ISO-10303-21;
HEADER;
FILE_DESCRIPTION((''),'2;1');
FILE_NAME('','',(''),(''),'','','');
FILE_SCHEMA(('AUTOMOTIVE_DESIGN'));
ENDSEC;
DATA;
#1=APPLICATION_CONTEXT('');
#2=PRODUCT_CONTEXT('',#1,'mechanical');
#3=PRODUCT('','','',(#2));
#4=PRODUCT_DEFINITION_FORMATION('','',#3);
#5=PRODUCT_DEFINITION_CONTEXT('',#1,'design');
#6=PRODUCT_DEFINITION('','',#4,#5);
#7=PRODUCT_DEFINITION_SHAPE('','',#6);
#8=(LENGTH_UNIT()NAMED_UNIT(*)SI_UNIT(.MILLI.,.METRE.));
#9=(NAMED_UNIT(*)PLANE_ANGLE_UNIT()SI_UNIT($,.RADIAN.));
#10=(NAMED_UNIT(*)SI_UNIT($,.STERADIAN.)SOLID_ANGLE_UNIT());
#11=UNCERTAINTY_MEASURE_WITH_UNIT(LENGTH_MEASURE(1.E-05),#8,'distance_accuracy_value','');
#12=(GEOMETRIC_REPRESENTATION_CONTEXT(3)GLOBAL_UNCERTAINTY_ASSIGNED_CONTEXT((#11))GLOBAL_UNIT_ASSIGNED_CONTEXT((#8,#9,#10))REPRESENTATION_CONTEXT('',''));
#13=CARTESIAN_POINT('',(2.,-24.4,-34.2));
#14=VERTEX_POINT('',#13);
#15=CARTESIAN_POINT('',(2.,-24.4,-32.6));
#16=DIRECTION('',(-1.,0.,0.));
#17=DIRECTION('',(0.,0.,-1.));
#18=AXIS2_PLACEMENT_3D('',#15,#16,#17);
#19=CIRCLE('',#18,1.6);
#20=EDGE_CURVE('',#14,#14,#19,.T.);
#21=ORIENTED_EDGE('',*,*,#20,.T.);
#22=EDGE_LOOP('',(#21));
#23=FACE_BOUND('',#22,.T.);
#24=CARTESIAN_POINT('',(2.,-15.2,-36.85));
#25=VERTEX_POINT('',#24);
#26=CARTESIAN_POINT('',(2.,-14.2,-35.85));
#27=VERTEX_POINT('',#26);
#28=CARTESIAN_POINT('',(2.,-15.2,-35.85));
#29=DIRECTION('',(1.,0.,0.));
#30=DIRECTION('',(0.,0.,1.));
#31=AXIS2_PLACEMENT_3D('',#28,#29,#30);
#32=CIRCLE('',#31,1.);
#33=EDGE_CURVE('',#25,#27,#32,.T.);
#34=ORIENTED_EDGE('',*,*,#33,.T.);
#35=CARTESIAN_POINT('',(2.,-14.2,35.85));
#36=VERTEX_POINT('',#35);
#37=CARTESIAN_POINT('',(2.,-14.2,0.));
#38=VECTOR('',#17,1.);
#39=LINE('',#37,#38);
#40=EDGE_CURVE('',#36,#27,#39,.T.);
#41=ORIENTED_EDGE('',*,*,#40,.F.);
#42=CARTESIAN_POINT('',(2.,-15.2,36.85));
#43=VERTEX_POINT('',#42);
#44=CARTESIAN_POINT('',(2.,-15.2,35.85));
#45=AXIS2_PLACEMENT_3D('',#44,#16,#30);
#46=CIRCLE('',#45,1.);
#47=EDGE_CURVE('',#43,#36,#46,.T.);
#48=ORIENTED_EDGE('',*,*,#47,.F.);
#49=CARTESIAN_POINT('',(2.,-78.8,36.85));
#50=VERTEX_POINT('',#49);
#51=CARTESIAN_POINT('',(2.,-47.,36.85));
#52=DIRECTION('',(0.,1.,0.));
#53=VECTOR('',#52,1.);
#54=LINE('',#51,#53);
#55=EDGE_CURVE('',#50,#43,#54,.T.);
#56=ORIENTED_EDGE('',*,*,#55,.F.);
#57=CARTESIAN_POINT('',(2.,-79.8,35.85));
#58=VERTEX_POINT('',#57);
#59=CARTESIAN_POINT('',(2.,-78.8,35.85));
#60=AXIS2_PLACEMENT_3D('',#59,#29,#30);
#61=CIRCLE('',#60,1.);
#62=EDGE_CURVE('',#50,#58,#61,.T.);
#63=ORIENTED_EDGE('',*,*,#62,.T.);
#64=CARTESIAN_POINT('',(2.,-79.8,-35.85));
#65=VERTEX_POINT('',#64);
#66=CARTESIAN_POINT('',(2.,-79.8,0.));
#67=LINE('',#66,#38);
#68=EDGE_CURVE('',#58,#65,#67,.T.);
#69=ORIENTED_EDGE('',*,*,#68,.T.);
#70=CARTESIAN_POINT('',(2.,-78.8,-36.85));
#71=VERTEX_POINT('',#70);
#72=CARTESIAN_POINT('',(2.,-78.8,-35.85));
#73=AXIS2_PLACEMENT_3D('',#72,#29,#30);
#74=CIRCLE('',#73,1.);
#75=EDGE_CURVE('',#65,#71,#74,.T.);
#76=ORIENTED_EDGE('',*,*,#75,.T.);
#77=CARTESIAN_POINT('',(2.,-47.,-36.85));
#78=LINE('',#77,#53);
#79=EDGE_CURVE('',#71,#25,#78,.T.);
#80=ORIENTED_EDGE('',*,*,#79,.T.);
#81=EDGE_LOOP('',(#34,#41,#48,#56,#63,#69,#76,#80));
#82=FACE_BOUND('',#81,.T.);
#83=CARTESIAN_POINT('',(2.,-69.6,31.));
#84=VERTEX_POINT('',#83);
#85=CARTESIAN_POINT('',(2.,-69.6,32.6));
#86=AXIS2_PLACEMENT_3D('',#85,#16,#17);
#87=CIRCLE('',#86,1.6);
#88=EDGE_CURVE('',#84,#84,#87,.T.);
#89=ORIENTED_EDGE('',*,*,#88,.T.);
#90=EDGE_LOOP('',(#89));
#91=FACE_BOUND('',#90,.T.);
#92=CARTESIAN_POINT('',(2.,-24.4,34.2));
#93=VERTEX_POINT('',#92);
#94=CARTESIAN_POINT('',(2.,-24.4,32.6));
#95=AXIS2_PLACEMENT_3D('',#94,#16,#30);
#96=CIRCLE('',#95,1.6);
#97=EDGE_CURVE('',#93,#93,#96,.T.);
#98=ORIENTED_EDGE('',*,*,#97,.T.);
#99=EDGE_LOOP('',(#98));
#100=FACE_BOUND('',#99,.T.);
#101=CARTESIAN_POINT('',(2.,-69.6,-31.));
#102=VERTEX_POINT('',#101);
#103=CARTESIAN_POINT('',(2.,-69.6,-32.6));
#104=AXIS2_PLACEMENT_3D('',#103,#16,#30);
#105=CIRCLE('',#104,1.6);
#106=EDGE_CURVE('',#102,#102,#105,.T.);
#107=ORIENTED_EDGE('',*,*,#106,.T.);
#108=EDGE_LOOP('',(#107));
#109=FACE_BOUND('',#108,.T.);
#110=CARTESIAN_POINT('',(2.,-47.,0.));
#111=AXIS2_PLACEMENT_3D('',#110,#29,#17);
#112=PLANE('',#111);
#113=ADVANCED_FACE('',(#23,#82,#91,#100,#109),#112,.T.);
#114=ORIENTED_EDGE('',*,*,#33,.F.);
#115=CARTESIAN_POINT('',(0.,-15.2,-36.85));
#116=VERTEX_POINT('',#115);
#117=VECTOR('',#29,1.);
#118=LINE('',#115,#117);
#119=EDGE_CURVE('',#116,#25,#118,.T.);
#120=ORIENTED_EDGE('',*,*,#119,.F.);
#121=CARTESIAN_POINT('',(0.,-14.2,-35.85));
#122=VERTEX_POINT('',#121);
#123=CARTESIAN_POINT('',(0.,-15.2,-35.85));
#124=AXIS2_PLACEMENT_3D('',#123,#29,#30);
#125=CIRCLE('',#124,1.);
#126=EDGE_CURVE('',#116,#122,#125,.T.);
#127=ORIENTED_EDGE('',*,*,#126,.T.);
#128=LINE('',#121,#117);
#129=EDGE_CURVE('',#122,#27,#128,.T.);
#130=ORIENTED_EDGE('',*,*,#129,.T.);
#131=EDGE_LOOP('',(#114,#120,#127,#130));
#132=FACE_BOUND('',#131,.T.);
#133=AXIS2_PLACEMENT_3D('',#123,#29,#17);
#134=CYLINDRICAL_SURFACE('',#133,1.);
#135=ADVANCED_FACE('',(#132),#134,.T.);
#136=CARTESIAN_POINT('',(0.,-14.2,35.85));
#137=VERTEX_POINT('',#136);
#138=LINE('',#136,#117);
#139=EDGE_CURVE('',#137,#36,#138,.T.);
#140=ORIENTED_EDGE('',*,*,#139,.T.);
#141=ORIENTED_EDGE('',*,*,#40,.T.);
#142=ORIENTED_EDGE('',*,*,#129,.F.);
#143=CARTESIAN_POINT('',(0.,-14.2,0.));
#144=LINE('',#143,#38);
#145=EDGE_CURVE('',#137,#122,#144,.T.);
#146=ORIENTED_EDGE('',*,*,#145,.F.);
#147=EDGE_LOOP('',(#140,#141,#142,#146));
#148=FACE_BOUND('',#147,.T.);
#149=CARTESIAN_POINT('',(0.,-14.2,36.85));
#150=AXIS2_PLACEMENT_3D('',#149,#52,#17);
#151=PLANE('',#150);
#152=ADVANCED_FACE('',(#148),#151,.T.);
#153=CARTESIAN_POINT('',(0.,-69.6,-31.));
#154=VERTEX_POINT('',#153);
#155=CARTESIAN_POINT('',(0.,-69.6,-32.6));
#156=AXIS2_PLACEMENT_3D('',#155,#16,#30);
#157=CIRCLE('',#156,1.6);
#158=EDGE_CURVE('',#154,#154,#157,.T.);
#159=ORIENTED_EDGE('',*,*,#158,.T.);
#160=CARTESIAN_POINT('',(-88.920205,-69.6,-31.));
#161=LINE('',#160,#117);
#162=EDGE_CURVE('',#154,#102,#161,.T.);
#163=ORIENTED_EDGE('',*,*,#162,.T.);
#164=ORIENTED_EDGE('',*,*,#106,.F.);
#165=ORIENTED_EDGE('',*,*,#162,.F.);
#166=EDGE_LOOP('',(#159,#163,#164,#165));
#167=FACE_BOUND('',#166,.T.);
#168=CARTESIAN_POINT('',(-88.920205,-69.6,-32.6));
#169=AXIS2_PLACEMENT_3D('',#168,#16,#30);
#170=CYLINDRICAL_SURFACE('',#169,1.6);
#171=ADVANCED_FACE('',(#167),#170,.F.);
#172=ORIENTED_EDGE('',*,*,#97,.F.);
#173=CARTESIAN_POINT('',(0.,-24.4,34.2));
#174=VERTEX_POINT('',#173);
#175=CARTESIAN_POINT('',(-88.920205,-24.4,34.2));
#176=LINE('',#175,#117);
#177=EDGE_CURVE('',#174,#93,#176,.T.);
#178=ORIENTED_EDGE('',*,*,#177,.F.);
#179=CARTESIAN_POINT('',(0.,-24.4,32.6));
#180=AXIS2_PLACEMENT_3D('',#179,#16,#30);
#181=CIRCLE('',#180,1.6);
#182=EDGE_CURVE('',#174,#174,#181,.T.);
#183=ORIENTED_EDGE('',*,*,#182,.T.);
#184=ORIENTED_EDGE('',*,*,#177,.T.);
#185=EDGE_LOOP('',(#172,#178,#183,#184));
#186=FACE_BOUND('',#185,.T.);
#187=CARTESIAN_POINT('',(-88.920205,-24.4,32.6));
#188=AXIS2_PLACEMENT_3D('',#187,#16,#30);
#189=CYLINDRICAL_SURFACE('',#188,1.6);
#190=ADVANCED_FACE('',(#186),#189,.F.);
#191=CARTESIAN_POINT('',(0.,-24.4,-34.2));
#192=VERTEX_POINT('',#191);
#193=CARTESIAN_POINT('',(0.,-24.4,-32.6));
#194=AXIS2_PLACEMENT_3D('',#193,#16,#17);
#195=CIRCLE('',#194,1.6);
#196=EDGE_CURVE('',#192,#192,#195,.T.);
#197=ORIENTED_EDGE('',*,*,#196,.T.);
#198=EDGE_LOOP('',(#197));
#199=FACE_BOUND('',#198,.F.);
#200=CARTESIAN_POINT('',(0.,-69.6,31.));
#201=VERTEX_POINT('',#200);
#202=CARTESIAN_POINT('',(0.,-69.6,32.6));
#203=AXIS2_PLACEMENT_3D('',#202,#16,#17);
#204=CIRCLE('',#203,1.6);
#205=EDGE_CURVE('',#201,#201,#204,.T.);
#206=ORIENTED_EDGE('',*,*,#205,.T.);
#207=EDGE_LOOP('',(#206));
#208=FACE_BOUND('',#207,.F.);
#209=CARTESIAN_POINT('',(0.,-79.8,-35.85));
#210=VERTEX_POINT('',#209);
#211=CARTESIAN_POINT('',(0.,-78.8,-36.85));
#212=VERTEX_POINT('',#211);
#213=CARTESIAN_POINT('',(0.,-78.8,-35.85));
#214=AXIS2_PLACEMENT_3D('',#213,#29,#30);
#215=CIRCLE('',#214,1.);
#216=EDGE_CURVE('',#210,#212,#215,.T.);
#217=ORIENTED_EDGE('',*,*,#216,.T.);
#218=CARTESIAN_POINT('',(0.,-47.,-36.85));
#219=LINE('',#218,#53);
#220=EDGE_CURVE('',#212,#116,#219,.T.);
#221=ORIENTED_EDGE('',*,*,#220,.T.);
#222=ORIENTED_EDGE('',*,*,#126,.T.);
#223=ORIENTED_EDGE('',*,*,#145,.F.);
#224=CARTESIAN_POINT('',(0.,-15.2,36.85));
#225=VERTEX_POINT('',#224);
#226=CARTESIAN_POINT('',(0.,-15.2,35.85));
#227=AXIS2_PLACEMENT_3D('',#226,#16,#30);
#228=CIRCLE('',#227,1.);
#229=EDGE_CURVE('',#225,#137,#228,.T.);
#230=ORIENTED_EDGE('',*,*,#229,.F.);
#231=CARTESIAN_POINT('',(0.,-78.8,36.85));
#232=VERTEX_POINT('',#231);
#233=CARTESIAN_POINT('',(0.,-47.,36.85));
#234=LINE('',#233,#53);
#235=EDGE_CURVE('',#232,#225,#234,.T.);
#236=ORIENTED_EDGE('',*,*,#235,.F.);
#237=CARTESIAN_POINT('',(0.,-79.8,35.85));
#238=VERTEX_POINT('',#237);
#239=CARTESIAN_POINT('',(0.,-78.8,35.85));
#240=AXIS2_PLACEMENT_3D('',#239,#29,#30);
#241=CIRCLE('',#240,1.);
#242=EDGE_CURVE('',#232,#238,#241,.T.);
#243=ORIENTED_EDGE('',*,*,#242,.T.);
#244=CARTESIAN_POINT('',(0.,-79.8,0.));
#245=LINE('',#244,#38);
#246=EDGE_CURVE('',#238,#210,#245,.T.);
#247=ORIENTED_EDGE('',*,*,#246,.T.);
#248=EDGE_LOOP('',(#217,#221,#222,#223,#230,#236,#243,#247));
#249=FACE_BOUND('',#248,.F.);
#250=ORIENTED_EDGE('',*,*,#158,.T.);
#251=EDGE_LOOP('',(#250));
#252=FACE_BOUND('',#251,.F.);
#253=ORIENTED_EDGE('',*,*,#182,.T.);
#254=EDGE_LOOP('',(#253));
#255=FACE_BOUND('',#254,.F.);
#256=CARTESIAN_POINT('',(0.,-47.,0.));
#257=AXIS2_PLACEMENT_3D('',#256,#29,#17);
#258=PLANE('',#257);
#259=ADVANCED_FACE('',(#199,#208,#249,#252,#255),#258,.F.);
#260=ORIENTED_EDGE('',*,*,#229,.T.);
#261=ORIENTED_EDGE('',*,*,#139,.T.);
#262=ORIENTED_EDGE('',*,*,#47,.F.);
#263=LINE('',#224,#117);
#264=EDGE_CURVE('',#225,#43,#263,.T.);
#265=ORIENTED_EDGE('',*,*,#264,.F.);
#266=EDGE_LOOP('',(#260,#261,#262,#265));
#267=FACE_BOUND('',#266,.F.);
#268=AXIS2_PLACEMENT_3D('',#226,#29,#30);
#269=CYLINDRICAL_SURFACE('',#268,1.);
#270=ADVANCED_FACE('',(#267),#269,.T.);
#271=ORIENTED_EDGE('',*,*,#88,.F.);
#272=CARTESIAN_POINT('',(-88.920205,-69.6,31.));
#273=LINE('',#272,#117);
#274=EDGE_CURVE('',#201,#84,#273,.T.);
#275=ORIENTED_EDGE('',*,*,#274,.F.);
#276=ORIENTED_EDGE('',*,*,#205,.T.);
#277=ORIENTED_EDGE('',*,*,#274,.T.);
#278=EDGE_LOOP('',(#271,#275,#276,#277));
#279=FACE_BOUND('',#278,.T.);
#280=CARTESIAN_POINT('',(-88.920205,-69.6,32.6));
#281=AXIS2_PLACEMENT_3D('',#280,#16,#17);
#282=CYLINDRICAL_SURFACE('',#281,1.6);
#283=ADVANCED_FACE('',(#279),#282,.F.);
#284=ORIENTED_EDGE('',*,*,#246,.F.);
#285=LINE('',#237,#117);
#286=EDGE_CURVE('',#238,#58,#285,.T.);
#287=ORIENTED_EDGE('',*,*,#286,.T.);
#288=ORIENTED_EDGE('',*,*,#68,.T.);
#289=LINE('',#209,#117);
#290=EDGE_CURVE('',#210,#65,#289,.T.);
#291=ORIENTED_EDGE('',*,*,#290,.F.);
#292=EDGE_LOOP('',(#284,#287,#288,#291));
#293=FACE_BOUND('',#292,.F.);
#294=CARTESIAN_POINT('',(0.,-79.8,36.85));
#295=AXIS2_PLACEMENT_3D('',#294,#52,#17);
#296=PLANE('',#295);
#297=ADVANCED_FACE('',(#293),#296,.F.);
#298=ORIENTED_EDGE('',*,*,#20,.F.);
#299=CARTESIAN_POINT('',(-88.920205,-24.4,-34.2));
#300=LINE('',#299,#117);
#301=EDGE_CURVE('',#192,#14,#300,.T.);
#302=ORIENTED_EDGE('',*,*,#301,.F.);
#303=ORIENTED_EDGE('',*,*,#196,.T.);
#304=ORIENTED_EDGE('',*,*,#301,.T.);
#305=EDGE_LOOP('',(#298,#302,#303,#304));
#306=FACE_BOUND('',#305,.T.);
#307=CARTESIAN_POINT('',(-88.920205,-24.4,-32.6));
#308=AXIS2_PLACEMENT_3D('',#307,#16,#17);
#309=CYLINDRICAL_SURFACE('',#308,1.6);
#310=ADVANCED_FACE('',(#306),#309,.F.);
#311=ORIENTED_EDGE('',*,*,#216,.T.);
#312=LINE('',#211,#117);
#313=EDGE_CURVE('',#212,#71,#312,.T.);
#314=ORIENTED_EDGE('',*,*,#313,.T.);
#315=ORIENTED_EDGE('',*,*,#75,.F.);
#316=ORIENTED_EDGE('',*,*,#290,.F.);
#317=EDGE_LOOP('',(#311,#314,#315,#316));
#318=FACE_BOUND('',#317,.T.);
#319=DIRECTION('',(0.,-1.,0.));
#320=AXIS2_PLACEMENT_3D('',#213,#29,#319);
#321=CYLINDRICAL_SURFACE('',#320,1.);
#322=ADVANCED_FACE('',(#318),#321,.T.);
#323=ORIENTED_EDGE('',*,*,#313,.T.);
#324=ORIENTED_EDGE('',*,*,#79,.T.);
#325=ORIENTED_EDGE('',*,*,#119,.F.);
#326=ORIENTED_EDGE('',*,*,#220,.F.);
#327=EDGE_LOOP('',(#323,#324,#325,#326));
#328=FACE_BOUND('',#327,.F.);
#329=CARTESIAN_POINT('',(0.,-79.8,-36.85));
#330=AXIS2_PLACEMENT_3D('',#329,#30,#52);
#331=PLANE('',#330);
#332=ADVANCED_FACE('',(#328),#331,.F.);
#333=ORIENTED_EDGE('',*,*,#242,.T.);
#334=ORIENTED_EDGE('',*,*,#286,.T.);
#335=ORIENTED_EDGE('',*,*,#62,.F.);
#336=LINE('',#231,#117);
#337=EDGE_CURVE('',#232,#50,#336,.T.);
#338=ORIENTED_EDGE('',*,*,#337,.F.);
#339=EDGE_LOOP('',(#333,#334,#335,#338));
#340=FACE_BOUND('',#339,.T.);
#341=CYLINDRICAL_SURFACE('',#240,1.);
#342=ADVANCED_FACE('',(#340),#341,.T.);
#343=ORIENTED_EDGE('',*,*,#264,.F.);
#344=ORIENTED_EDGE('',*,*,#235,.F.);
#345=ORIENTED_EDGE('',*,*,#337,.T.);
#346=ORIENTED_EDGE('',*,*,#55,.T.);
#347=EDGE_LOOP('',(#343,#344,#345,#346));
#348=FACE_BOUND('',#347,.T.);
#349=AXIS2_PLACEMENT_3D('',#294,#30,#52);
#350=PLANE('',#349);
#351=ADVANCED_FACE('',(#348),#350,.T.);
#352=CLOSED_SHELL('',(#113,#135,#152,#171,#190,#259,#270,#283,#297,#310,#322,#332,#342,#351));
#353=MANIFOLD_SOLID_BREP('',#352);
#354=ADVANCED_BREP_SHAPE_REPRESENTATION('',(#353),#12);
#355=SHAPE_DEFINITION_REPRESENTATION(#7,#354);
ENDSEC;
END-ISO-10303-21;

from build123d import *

# Parameters (mm, degrees)
SKETCH1_W               = 73.7
SKETCH1_H               = 65.6
BOSS_EXTRUDE1_DEPTH     = 2
FILLET1_R               = 1
CUT_EXTRUDE1_DEPTH      = 88.9202053
CUT_EXTRUDE1_DEPTH_BACK = 88.9202053
SKETCH2_R               = 1.6


with BuildPart() as part:
    # Sketch1 → Boss-Extrude1 (new body)
    with BuildSketch(Plane(origin=(0, 0, 0), x_dir=(0, 0, -1), z_dir=(1, 0, 0))):
        with Locations((0, -47)):
            Rectangle(SKETCH1_W, SKETCH1_H)
    extrude(amount=BOSS_EXTRUDE1_DEPTH)

    # Fillet1
    fillet1_edges = [part.edges().sort_by_distance(p)[0] for p in [
        (1, -14.2, 36.85),
        (1, -14.2, -36.85),
        (1, -79.8, -36.85),
        (1, -79.8, 36.85),
    ]]
    fillet(fillet1_edges, radius=FILLET1_R)

    # Sketch2 → Cut-Extrude1 (cut, two sides: drawn at the far end of the back side and taken through both)
    with BuildSketch(Plane(origin=(0, 0, 0), x_dir=(0, 0, -1), z_dir=(1, 0, 0)).offset(-CUT_EXTRUDE1_DEPTH_BACK)):
        with Locations((-32.6, -69.6)):
            Circle(SKETCH2_R)
        with Locations(Location((32.6, -69.6, 0), (0, 0, 180))):
            Circle(SKETCH2_R)
        with Locations((32.6, -24.4)):
            Circle(SKETCH2_R)
        with Locations(Location((-32.6, -24.4, 0), (0, 0, 180))):
            Circle(SKETCH2_R)
    extrude(amount=CUT_EXTRUDE1_DEPTH + CUT_EXTRUDE1_DEPTH_BACK, mode=Mode.SUBTRACT)


solid = part.part
